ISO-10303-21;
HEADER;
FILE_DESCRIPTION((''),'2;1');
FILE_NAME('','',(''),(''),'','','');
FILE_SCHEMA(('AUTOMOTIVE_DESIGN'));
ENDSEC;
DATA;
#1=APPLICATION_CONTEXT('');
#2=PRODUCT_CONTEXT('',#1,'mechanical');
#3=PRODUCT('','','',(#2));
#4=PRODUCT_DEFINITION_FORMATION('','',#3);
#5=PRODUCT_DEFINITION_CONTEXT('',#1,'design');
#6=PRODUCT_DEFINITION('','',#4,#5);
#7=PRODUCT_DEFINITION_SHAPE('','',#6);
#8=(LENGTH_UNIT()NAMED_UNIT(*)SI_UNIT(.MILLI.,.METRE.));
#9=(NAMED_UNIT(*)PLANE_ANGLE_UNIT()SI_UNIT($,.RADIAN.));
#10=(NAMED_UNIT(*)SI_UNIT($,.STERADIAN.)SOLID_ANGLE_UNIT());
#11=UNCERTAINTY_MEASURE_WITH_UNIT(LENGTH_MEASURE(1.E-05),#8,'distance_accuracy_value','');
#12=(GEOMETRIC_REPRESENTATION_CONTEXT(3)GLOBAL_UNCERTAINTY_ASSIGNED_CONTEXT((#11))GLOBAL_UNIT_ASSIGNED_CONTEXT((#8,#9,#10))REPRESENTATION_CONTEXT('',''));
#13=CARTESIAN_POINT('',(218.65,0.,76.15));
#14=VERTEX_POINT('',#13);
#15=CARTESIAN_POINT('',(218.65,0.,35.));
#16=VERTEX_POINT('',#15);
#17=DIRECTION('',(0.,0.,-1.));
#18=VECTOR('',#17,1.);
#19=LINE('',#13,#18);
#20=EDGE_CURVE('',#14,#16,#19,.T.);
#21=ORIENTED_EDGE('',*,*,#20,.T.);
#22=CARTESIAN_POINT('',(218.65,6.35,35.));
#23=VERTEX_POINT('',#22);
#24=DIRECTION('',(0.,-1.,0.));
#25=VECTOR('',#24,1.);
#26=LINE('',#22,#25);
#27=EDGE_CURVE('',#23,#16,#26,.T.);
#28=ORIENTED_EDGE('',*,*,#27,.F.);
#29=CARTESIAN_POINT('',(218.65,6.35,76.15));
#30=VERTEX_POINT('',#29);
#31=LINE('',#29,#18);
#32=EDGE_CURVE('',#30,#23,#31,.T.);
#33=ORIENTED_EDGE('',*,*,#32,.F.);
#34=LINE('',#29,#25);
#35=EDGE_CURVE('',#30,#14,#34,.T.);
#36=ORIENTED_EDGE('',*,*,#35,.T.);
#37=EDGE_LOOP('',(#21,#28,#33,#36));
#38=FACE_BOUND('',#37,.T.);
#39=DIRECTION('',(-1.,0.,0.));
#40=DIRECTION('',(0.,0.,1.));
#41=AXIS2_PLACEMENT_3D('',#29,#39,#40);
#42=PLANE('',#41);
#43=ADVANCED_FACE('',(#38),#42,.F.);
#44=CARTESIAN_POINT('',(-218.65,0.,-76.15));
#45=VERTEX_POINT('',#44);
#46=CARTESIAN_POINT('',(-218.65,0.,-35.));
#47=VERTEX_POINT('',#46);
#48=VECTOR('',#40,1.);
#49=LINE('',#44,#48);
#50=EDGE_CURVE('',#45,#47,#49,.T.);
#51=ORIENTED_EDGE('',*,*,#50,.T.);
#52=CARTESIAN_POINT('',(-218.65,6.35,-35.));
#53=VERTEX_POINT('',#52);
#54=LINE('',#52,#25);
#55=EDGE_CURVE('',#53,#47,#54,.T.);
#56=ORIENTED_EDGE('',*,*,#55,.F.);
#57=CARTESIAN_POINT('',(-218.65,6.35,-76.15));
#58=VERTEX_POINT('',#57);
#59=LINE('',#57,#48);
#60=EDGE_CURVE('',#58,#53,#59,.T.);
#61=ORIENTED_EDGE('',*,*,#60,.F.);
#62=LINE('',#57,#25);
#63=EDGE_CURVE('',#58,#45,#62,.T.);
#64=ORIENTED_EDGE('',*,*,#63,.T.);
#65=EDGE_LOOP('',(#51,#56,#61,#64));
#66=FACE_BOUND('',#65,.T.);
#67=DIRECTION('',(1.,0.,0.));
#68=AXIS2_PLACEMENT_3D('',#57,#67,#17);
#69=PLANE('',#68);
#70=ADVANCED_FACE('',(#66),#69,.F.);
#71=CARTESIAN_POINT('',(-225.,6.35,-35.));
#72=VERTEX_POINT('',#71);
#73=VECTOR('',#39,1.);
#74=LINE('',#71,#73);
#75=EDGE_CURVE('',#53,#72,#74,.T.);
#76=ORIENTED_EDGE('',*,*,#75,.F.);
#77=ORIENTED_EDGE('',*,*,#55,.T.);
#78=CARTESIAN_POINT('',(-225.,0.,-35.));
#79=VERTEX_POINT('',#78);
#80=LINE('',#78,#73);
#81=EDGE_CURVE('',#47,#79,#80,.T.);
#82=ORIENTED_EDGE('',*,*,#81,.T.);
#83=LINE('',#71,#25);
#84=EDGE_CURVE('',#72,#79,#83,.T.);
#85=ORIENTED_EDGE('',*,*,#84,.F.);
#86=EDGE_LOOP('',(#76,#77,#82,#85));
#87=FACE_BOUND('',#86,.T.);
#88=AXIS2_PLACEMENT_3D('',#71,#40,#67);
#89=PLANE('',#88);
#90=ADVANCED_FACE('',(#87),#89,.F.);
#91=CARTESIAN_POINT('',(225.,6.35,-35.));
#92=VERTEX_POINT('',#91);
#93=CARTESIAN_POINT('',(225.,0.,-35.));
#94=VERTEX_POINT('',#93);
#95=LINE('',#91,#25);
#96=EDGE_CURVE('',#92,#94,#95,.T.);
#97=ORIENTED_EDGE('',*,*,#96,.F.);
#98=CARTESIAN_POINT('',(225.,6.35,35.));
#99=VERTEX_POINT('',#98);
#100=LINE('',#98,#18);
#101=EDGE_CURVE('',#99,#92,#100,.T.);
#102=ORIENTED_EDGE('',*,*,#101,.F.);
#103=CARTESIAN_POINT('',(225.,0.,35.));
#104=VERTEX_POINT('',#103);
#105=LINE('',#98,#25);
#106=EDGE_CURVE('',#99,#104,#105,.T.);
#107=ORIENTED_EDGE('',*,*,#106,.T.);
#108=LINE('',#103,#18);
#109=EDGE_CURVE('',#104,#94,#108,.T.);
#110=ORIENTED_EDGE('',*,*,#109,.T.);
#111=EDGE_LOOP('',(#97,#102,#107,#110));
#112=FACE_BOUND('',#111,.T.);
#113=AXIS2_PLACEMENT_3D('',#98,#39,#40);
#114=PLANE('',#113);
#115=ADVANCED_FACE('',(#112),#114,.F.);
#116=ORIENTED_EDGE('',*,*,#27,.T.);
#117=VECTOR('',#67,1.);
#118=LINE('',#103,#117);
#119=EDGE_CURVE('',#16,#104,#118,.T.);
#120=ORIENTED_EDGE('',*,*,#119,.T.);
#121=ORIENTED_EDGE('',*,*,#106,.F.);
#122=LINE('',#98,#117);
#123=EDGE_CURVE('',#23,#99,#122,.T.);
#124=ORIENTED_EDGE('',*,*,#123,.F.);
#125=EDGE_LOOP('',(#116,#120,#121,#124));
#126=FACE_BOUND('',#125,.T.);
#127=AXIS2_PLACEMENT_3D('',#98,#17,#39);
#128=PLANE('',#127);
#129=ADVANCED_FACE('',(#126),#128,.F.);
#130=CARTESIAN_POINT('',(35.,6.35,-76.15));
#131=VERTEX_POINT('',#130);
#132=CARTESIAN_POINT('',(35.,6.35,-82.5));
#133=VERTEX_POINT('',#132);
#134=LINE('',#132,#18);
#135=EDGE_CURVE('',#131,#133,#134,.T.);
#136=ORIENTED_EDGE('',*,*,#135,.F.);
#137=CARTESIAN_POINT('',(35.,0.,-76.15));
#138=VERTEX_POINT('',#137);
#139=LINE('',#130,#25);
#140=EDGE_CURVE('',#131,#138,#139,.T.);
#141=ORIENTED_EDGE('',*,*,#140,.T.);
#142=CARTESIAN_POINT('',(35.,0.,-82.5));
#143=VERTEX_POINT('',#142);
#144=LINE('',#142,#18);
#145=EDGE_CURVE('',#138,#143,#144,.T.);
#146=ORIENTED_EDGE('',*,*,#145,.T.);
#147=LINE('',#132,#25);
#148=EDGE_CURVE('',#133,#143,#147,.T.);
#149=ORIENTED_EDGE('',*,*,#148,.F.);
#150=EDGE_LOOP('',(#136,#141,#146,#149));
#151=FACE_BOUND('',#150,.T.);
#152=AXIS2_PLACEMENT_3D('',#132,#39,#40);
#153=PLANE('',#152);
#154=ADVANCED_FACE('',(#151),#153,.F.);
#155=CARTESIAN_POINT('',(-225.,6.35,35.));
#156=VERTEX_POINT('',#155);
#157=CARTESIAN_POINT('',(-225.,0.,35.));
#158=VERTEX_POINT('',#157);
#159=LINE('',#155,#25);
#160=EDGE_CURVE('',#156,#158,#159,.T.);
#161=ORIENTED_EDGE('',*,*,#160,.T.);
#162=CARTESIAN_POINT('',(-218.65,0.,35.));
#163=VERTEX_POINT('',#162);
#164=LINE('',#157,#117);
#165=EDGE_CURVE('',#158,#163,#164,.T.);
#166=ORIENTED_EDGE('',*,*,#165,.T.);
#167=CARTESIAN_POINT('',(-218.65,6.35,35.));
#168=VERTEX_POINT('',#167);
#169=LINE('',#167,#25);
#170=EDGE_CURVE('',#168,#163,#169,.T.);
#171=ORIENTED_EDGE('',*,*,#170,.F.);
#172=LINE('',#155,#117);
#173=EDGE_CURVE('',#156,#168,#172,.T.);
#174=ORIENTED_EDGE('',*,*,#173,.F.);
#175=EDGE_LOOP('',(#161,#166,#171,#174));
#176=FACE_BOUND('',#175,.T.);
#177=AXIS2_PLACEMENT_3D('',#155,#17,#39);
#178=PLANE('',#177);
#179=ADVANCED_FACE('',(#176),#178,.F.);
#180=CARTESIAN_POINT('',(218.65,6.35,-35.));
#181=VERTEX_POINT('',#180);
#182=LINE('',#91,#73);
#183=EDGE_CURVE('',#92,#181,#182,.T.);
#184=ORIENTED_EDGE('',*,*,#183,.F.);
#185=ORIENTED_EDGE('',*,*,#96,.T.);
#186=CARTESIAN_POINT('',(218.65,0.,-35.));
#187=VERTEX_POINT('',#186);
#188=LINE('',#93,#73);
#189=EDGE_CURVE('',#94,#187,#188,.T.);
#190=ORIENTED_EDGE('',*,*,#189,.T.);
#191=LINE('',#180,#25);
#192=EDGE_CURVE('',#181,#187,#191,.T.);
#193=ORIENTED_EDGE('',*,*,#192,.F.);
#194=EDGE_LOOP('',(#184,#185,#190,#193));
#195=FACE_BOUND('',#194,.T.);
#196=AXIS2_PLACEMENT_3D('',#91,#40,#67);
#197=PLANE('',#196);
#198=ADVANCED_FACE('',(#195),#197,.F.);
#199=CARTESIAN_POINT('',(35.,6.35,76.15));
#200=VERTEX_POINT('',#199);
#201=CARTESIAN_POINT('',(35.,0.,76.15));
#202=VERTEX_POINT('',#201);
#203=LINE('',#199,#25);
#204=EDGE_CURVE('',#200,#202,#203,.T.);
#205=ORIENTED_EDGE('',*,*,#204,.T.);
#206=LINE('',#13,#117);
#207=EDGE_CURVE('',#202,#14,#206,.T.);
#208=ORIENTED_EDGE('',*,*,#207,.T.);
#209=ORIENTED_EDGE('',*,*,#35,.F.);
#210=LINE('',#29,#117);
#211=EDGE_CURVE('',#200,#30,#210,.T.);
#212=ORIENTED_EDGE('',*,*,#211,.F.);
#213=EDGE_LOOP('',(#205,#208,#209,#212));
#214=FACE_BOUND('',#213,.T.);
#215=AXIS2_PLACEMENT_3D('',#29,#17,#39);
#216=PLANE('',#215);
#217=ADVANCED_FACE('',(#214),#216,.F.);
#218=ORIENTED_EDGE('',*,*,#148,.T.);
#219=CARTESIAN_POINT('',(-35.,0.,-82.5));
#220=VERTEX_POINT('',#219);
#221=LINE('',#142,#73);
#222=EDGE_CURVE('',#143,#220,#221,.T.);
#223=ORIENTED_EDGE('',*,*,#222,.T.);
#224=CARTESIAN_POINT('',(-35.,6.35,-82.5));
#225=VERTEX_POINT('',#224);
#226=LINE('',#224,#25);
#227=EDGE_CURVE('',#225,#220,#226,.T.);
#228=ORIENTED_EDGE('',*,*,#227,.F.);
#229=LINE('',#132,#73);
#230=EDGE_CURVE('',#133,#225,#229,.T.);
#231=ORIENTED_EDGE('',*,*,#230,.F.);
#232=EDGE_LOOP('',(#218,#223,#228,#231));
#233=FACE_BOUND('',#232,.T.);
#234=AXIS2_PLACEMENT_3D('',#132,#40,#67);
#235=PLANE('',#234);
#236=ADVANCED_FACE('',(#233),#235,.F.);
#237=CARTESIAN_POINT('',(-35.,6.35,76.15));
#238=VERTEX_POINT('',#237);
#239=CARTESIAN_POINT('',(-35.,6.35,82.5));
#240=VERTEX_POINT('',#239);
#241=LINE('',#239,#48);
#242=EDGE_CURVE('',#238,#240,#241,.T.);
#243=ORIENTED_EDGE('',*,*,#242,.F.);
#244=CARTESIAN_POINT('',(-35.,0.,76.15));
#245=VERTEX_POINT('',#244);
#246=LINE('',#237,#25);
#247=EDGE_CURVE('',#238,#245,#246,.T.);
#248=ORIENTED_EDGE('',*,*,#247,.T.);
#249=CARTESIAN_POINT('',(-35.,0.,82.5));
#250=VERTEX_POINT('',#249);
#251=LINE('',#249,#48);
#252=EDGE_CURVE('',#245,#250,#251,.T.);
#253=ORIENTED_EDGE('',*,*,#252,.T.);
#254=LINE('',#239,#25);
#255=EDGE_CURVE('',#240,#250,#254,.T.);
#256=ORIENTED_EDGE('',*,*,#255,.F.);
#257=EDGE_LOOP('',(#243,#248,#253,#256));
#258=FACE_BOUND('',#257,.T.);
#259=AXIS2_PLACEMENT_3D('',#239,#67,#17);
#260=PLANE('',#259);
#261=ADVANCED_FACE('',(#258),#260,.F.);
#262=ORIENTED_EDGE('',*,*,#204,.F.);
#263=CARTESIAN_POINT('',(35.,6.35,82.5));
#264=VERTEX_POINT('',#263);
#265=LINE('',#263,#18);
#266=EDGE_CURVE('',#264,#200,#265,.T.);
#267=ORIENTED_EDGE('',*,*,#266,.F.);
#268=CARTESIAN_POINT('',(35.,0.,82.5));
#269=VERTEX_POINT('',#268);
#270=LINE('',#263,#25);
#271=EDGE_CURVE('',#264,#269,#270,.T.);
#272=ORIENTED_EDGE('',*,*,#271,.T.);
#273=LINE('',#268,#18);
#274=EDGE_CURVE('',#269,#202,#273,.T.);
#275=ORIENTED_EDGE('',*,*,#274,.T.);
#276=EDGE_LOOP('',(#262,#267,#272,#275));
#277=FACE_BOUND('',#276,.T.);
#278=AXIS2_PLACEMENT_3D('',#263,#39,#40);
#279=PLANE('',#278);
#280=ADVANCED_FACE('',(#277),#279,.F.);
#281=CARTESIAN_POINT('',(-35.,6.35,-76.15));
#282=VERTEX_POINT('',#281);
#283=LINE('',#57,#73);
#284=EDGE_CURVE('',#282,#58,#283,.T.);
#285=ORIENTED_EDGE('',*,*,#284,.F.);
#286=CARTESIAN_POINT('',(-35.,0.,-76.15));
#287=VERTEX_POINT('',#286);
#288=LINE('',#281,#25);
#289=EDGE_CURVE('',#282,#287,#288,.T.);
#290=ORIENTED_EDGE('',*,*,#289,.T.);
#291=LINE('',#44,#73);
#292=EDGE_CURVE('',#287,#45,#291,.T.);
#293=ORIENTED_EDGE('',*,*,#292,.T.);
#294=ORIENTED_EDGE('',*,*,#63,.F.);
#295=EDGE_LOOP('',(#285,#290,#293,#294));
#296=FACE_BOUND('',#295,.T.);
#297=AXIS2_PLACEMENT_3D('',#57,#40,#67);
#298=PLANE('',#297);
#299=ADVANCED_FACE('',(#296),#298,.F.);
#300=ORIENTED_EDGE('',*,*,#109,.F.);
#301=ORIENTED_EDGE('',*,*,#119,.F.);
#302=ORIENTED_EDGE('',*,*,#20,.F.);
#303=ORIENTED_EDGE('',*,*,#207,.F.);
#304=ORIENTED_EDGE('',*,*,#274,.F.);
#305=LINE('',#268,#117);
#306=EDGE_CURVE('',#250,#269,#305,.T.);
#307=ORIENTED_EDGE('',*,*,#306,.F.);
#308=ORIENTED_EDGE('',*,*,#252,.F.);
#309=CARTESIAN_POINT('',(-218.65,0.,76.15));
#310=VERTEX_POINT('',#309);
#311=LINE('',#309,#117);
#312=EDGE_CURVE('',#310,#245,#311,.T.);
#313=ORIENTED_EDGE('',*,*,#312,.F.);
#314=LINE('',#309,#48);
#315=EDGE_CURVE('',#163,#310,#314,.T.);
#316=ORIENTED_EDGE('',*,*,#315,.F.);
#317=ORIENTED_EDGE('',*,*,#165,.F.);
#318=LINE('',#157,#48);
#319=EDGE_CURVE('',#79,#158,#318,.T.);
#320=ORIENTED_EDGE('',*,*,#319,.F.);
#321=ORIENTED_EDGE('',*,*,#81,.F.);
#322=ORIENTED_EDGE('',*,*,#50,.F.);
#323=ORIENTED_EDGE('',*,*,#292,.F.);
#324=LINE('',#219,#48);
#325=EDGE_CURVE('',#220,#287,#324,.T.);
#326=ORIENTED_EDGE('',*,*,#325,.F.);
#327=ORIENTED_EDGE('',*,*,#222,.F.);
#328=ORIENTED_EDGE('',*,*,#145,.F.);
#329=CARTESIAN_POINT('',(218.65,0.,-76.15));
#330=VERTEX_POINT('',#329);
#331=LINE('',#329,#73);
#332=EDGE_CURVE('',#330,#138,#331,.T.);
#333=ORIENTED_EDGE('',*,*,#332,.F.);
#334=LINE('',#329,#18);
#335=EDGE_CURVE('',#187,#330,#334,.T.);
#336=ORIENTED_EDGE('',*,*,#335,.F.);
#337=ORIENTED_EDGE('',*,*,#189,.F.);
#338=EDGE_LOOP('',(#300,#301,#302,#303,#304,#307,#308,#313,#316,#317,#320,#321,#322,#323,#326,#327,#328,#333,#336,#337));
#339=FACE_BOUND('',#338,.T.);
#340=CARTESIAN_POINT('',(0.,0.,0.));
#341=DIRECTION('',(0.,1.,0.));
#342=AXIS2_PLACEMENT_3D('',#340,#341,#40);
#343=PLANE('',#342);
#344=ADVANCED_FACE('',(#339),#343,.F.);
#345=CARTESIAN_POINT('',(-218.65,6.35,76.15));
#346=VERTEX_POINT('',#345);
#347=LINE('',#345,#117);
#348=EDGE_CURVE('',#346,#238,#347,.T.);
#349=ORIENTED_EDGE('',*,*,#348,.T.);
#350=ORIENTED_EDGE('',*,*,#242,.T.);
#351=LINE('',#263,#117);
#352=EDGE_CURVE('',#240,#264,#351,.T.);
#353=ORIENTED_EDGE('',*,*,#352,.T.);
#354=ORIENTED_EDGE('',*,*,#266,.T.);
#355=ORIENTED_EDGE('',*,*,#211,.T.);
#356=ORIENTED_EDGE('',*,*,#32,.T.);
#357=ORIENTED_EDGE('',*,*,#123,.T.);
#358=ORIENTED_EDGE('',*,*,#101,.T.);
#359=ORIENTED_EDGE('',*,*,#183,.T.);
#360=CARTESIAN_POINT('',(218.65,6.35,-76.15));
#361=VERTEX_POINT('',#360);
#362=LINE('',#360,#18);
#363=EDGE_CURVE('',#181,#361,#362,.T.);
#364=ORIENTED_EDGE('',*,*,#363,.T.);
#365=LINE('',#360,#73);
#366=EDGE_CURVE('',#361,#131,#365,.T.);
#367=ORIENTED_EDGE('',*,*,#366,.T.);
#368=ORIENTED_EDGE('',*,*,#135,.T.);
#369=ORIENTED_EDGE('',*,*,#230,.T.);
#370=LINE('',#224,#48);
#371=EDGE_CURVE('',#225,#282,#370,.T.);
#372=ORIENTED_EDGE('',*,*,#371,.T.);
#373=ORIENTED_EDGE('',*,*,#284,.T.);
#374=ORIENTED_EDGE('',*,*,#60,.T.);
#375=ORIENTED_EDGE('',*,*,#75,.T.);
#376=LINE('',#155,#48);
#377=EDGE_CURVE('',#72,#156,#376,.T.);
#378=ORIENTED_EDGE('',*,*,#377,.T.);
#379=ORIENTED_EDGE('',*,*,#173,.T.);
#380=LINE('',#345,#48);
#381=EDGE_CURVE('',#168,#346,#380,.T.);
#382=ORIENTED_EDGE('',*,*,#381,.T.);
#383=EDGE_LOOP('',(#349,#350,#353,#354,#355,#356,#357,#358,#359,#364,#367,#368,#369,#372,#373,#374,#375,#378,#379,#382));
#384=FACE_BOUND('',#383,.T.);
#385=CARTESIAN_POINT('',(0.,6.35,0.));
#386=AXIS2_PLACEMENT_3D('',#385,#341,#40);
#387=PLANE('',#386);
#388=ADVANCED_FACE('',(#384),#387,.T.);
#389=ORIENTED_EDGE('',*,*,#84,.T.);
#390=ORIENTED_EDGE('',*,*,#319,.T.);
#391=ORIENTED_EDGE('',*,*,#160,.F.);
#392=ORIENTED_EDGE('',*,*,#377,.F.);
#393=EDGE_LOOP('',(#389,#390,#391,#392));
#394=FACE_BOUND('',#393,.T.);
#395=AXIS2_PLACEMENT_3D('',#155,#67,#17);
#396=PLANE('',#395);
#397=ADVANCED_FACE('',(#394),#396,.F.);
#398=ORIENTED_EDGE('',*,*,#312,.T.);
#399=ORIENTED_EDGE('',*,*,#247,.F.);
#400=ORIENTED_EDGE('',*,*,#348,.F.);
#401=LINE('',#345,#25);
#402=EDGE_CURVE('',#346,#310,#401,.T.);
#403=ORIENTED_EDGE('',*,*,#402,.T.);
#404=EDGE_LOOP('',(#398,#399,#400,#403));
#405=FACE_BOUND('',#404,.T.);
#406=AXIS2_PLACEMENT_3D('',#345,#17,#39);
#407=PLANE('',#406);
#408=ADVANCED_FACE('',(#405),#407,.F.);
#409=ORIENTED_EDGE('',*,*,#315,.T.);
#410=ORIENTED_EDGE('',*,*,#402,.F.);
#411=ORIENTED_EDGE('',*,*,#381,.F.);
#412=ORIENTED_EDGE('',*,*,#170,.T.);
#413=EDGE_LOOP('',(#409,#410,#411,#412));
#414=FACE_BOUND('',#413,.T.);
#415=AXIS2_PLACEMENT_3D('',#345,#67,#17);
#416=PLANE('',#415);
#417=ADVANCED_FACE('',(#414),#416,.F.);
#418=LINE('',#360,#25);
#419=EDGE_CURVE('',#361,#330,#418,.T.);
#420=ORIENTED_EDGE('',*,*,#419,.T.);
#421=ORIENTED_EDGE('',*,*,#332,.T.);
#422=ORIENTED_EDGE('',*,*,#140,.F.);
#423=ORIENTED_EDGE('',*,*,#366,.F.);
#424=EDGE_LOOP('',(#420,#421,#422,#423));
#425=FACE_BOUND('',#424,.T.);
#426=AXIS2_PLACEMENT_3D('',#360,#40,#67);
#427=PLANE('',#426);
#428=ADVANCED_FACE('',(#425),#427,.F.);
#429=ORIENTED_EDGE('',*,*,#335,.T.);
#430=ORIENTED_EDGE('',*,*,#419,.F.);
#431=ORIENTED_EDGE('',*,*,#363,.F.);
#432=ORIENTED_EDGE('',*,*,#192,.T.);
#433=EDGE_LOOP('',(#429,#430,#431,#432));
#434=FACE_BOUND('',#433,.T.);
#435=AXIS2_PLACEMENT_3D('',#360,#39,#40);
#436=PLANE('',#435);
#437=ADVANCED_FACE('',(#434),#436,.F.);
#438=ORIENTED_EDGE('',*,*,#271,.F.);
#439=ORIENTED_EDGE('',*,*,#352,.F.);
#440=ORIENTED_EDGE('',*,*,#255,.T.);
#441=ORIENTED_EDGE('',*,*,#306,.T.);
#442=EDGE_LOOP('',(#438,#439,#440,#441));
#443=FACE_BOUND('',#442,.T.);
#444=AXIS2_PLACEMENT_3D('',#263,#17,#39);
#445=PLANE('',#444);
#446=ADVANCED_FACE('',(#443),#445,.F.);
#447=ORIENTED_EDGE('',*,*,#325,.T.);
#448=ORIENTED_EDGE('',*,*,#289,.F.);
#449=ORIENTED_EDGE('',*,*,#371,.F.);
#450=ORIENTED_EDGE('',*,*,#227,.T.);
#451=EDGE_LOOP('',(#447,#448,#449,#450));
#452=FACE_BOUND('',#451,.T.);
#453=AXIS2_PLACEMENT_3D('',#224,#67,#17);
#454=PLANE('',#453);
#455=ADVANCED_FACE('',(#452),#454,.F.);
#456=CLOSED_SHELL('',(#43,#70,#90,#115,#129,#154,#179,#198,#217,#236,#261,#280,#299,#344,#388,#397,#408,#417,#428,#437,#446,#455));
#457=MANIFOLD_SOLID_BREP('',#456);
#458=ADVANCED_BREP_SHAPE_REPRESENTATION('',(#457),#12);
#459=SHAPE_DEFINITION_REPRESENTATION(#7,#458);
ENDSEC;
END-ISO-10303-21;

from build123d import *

# Parameters (mm, degrees)
BOSS_EXTRUDE1_DEPTH = 6.35


with BuildPart() as part:
    # Sketch1 → Boss-Extrude1 (new body)
    with BuildSketch(Plane(origin=(0, 0, 0), x_dir=(1, 0, 0), z_dir=(0, 1, 0))):
        Polygon((35, -82.5), (-35, -82.5), (-35, -76.15), (-218.65, -76.15), (-218.65, -35), (-225, -35), (-225, 35), (-218.65, 35), (-218.65, 76.15), (-35, 76.15), (-35, 82.5), (35, 82.5), (35, 76.15), (218.65, 76.15), (218.65, 35), (225, 35), (225, -35), (218.65, -35), (218.65, -76.15), (35, -76.15), align=None)
    extrude(amount=BOSS_EXTRUDE1_DEPTH)


solid = part.part
